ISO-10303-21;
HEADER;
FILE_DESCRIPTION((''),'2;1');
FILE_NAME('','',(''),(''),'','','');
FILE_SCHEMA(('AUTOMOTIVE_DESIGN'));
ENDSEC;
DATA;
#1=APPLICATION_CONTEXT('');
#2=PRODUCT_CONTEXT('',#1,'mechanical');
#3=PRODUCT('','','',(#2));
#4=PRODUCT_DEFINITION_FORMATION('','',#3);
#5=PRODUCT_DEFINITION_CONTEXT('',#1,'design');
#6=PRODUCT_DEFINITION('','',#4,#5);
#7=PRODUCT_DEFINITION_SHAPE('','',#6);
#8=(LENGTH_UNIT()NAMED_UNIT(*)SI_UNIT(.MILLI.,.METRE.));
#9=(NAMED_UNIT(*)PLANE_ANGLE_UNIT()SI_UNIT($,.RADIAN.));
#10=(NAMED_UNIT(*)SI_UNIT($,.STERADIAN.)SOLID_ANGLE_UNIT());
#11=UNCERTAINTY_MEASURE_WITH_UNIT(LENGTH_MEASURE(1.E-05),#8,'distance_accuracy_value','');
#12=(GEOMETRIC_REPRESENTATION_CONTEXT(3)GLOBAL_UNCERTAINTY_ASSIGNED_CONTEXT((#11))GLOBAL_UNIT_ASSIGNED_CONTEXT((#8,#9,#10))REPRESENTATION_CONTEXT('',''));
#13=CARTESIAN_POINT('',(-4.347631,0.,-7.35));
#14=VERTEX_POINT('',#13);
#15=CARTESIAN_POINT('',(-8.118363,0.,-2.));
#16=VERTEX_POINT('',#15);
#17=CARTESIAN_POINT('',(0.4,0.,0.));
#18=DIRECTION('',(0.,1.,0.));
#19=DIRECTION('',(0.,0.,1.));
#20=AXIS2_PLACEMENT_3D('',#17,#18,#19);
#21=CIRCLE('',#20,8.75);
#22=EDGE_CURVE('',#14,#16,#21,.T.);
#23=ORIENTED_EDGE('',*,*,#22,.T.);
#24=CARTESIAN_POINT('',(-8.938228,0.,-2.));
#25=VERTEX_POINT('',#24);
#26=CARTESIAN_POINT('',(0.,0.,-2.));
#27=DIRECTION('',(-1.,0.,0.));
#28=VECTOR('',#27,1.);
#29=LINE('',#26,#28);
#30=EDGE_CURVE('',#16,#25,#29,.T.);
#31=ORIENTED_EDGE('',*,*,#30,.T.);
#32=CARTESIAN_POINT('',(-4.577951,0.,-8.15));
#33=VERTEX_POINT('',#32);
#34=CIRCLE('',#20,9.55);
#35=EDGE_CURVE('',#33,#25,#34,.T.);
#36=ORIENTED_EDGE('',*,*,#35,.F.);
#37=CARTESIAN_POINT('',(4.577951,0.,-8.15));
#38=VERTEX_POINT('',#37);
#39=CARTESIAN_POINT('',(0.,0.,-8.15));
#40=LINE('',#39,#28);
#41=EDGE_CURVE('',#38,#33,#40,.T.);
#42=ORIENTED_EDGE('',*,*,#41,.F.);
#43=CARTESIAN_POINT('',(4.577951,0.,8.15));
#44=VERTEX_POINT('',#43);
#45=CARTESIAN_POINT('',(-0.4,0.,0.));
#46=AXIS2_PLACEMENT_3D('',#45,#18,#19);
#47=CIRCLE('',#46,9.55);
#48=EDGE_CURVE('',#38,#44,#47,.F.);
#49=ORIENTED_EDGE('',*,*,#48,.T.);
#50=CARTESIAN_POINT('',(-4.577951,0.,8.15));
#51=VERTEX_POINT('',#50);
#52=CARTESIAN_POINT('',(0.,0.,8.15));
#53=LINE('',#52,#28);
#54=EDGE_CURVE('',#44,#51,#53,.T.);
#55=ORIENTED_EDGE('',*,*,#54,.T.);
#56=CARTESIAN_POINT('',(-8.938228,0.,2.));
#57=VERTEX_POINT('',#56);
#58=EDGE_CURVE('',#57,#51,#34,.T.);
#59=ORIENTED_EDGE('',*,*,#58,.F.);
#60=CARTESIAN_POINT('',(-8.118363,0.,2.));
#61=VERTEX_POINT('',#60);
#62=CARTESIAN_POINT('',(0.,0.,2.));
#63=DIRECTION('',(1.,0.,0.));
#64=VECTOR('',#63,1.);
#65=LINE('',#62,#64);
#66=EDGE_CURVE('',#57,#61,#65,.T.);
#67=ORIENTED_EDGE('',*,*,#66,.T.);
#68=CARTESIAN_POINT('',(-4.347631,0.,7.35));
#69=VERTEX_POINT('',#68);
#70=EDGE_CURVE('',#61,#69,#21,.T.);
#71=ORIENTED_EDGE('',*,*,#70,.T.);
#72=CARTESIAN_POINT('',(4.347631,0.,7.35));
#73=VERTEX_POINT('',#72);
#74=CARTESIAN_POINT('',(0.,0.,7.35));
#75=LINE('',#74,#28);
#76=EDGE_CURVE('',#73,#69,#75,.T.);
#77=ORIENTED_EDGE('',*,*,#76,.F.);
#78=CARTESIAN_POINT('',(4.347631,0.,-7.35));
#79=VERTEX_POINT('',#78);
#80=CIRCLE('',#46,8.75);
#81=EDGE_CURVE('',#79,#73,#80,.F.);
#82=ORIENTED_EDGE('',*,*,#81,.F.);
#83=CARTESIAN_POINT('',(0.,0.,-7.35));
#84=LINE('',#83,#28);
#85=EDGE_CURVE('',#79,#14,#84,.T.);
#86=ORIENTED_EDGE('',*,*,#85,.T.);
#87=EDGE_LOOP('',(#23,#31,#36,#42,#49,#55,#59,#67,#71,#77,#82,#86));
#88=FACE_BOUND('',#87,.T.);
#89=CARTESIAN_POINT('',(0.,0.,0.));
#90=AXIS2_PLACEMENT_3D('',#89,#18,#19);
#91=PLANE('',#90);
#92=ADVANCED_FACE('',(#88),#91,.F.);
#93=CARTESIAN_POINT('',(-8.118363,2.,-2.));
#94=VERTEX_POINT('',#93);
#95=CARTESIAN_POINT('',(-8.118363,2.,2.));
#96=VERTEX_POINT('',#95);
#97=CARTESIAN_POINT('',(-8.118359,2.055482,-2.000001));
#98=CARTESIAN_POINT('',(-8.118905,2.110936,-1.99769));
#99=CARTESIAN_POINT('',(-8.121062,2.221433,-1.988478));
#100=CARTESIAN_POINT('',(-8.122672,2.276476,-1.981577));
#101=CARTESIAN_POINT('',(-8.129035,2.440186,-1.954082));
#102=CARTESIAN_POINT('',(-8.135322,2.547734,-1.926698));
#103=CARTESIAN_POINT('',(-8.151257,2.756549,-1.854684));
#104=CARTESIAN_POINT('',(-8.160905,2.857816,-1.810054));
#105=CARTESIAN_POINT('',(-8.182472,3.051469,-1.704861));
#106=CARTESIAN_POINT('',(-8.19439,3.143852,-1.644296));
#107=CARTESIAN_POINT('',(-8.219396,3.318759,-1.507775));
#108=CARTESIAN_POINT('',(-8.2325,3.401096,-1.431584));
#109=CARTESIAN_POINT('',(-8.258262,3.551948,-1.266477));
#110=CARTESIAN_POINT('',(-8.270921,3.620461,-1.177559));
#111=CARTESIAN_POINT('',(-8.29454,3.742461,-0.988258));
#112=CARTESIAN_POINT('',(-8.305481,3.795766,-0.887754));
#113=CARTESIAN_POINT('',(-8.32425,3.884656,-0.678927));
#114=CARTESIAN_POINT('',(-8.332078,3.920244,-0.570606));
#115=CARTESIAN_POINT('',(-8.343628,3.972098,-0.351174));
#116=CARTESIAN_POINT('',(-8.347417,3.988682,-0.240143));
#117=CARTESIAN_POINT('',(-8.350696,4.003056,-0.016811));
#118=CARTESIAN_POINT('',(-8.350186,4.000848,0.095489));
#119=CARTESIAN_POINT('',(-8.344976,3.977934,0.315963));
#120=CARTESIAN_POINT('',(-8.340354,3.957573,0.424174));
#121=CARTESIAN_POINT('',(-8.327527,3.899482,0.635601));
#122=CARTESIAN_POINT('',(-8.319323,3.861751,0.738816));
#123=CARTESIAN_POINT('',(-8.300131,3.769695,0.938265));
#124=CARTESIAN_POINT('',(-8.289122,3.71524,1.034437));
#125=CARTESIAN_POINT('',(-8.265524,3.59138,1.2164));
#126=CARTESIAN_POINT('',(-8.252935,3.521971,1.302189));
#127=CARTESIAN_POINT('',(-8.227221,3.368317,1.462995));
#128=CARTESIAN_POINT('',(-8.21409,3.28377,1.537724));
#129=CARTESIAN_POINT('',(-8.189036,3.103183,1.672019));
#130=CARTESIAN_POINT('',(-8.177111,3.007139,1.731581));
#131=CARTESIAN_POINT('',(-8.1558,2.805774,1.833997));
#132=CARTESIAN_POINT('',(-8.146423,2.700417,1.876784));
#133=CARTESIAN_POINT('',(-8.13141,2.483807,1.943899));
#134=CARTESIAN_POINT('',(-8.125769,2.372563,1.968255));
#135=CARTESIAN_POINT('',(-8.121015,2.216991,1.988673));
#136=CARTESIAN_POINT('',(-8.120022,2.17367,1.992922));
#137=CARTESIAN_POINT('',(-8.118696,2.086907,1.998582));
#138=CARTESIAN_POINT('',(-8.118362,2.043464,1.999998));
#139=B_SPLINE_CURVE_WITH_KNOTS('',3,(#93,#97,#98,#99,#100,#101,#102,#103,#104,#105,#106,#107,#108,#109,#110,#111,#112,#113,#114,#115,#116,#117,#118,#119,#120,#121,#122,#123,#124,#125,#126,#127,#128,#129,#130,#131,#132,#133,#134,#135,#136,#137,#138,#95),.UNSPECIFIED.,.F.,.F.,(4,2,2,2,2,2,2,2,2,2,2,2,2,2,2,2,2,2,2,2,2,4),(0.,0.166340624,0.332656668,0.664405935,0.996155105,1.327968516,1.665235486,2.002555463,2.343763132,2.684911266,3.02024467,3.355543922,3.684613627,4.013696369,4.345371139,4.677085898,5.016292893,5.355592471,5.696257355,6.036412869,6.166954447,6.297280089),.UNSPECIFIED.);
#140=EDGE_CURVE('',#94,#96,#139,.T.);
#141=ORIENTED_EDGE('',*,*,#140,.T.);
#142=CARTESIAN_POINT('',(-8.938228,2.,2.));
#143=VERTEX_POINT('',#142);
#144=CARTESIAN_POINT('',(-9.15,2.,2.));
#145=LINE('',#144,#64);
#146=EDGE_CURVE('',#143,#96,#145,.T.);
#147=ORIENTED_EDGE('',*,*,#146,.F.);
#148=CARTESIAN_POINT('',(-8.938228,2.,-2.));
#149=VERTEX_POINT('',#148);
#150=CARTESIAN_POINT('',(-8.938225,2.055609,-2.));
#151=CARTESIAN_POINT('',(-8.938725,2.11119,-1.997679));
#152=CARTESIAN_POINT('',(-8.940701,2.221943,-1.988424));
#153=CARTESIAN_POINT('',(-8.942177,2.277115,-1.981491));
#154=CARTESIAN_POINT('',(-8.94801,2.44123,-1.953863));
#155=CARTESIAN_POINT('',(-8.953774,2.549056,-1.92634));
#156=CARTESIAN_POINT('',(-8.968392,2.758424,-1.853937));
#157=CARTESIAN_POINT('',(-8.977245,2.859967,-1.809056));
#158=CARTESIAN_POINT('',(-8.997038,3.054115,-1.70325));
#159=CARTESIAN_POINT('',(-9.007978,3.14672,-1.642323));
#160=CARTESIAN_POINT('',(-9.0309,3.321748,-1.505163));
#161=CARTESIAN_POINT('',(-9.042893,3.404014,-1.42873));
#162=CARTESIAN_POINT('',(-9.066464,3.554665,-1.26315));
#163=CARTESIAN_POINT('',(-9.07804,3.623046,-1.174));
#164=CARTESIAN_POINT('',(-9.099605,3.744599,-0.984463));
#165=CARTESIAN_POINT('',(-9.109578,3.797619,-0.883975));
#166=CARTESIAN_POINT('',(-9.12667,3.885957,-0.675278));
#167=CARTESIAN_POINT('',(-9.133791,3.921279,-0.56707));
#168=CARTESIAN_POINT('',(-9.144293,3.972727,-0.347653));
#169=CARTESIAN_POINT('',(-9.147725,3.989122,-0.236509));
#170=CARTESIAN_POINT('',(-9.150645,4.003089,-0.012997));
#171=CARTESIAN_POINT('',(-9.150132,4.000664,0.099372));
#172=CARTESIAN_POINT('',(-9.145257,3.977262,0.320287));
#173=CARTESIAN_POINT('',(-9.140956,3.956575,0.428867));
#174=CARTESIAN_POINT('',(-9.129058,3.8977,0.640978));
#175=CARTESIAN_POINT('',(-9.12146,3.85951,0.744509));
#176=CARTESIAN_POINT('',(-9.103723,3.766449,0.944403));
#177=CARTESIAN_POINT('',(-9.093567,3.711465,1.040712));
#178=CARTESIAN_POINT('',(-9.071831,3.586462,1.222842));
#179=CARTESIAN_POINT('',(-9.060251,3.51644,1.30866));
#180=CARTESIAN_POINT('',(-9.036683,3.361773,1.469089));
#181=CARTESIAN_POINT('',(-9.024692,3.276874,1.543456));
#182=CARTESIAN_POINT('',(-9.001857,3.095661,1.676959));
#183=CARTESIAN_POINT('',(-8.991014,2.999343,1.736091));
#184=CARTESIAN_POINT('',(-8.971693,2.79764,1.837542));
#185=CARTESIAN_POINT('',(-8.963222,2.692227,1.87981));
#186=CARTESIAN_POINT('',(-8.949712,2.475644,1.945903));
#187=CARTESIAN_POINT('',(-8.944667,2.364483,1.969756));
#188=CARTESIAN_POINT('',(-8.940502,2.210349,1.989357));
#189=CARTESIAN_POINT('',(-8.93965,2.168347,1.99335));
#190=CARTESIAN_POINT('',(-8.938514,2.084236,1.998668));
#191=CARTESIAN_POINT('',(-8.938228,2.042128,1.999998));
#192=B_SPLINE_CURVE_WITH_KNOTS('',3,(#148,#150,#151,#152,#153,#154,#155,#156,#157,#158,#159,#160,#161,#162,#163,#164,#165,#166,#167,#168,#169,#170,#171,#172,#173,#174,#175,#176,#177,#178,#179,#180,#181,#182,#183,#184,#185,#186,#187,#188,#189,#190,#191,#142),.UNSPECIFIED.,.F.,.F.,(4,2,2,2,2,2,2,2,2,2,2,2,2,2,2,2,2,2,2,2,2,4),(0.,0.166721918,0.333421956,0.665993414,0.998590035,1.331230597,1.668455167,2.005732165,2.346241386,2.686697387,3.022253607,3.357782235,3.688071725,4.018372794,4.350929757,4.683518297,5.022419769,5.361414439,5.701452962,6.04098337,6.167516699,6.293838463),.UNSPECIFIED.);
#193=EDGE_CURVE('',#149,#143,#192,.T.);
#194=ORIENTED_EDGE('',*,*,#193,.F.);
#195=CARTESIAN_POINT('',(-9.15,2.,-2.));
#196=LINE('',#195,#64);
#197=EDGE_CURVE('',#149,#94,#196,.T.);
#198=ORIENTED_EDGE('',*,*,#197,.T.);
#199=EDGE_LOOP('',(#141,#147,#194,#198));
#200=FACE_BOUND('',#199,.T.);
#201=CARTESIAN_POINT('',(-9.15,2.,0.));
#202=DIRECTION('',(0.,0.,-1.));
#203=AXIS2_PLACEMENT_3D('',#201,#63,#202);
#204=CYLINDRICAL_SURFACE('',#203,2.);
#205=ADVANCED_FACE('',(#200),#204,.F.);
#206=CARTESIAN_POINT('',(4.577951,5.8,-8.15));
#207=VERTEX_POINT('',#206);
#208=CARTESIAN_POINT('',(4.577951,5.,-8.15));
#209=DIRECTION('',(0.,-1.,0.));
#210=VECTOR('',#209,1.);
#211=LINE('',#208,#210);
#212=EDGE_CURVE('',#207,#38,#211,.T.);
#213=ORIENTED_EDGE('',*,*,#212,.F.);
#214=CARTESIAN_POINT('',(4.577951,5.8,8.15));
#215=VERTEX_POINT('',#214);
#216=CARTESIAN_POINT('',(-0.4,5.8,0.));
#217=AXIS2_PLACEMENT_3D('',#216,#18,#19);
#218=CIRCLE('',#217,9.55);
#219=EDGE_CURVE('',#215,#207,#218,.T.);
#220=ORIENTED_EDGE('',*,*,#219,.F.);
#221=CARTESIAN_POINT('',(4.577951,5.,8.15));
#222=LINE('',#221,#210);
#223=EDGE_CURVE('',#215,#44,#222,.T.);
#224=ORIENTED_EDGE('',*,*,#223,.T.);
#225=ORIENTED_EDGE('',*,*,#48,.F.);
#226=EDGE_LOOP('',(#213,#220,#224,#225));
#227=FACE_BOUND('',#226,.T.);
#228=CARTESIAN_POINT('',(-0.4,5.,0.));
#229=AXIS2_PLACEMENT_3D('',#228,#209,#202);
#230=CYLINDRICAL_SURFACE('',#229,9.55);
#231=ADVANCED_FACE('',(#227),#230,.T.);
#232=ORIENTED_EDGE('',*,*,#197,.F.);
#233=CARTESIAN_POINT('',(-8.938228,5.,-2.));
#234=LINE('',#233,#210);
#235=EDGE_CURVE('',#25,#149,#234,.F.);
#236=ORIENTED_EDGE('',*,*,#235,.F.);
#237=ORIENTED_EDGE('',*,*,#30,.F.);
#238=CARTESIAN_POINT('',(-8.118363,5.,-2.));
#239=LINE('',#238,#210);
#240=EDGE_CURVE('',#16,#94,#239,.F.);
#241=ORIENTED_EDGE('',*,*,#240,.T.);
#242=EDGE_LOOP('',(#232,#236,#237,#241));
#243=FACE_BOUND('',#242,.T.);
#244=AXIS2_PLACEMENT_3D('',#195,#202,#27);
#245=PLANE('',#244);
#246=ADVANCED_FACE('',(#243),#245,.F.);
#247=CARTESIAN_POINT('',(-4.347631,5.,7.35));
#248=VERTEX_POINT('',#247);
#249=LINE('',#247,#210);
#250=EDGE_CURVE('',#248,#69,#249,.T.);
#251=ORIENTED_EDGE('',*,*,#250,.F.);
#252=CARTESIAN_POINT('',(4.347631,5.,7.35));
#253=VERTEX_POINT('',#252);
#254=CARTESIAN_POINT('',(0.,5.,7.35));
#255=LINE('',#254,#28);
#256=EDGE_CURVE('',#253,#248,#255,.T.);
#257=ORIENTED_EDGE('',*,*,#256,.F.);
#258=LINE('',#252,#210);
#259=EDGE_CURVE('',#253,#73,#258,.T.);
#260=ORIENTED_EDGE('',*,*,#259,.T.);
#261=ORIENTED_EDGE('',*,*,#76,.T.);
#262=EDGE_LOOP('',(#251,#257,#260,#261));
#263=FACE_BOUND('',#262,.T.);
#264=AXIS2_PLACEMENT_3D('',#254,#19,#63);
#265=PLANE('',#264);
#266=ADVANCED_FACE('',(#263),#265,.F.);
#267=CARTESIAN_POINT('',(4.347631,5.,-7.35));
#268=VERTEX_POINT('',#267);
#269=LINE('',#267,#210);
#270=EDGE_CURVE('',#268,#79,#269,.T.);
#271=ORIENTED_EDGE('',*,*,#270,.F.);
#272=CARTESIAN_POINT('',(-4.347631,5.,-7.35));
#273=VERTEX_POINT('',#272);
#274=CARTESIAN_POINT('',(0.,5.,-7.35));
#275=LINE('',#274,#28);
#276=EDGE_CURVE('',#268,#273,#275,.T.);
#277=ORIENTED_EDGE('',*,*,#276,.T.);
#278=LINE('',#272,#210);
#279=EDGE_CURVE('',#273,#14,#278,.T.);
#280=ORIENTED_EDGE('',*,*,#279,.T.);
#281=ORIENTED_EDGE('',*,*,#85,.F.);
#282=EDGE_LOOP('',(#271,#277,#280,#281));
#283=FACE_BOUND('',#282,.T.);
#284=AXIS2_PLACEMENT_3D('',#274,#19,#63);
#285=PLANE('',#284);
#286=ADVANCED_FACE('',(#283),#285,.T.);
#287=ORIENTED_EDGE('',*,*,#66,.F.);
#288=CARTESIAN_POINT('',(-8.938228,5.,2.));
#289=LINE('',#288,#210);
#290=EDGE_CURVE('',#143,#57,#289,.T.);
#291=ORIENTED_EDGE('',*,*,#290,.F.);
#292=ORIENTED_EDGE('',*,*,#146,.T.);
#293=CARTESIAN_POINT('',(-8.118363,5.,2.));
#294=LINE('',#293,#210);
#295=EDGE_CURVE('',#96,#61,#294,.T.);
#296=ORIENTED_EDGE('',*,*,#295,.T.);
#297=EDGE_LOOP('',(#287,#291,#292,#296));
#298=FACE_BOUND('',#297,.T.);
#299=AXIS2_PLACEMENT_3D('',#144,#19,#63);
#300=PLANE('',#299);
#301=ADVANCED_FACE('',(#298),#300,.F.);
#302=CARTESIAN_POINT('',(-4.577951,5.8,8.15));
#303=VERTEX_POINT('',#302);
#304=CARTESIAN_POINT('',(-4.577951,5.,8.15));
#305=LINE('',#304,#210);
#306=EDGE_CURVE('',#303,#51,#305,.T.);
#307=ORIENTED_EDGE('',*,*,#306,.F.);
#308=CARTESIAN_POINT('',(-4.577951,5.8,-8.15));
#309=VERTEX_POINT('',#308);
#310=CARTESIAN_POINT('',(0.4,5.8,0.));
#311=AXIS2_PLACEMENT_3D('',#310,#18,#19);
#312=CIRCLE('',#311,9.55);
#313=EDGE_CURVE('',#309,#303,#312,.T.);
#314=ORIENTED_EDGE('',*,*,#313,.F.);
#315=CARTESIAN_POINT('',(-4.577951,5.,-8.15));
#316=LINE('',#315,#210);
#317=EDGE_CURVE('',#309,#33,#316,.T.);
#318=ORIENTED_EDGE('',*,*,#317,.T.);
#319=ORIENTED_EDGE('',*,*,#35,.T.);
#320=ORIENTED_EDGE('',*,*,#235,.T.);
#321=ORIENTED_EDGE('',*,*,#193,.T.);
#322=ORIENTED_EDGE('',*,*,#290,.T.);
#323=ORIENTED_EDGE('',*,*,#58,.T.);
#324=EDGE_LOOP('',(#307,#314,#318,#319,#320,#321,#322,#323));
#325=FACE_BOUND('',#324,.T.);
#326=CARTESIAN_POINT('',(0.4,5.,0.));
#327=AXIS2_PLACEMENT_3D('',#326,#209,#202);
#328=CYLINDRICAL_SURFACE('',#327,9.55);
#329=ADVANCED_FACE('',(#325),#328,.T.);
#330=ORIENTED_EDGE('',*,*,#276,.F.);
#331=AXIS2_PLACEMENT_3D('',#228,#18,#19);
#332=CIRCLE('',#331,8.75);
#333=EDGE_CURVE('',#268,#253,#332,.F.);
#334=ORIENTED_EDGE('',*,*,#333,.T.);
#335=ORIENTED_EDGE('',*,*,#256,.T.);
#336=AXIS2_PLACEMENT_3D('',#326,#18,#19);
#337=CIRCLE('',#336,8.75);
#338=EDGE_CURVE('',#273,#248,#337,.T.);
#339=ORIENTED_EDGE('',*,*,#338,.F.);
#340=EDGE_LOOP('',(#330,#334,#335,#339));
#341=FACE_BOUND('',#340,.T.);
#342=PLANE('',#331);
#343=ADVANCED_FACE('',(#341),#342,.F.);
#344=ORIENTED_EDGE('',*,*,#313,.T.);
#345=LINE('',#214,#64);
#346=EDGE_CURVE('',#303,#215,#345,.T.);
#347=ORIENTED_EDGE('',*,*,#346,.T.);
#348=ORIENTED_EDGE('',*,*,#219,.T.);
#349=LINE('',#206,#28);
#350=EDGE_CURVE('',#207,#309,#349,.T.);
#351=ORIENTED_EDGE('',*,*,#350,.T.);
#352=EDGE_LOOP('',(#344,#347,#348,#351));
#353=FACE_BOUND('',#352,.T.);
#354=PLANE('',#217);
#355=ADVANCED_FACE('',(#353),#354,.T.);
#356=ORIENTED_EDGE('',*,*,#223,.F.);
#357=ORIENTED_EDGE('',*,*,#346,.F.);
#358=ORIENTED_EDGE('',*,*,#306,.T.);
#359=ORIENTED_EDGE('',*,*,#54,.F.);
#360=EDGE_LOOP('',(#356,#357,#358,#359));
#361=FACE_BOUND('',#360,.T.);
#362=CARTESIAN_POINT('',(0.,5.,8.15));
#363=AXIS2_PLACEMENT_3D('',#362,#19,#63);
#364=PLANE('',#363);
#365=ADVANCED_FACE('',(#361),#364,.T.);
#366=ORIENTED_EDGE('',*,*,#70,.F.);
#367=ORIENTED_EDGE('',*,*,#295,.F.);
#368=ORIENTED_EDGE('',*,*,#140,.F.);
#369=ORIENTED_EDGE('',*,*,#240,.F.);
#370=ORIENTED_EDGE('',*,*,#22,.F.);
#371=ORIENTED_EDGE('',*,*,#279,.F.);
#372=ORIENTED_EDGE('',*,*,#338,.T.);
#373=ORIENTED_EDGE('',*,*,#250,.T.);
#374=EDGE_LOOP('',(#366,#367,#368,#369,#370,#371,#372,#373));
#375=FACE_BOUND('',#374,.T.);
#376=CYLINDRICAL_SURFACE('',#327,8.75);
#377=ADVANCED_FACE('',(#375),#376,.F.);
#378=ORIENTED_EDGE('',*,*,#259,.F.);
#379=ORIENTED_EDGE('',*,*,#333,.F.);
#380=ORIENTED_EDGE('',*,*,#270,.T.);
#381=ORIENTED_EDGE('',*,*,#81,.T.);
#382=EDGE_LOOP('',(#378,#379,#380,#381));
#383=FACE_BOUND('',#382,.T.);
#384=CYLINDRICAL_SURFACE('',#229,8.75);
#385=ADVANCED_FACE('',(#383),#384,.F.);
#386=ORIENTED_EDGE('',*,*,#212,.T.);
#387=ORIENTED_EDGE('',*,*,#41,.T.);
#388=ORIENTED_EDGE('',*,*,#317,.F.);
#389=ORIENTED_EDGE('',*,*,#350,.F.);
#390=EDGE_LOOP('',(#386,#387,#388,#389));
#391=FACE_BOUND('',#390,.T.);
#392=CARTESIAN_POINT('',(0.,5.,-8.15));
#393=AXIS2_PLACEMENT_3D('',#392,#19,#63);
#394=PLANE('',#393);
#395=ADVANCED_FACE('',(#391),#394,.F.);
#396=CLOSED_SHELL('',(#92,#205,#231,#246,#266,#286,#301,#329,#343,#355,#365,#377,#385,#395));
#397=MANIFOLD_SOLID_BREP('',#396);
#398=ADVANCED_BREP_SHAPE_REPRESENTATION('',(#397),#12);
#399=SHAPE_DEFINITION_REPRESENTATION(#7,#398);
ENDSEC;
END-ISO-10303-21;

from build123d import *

# Parameters (mm, degrees)
BOSS_EXTRUDE1_DEPTH = 5
BOSS_EXTRUDE2_DEPTH = 0.8
CUT_EXTRUDE1_DEPTH  = 14.556732645


with BuildPart() as part:
    # Sketch1 → Boss-Extrude1 (new body)
    with BuildSketch(Plane(origin=(0, 0, 0), x_dir=(1, 0, 0), z_dir=(0, 1, 0))):
        with BuildLine():
            ThreePointArc((4.577951386, 8.15), (9.15, 0), (4.577951386, -8.15))
            Line((4.577951386, -8.15), (-4.577951386, -8.15))
            ThreePointArc((-4.577951386, -8.15), (-9.15, 0), (-4.577951386, 8.15))
            Line((-4.577951386, 8.15), (4.577951386, 8.15))
        make_face()
        with BuildLine():
            Line((4.347630988, 7.35), (-4.347630988, 7.35))
            ThreePointArc((-4.347630988, 7.35), (-8.35, 0), (-4.347630988, -7.35))
            Line((-4.347630988, -7.35), (4.347630988, -7.35))
            ThreePointArc((4.347630988, -7.35), (8.35, 0), (4.347630988, 7.35))
        make_face(mode=Mode.SUBTRACT)
    extrude(amount=BOSS_EXTRUDE1_DEPTH)

    # Sketch2 → Boss-Extrude2 (add)
    with BuildSketch(Plane(origin=(0, 5, 0), x_dir=(1, 0, 0), z_dir=(0, 1, 0))):
        with BuildLine():
            Line((4.577951386, -8.15), (-4.577951386, -8.15))
            ThreePointArc((-4.577951386, -8.15), (-9.15, 0), (-4.577951386, 8.15))
            Line((-4.577951386, 8.15), (4.577951386, 8.15))
            ThreePointArc((4.577951386, 8.15), (9.15, 0), (4.577951386, -8.15))
        make_face()
    extrude(amount=BOSS_EXTRUDE2_DEPTH)

    # Sketch3 → Cut-Extrude1 (cut, through all)
    with BuildSketch(Plane(origin=(0, 0, 0), x_dir=(0, 0, -1), z_dir=(1, 0, 0))):
        with BuildLine():
            Line((-2, 2), (-2, 0))
            Line((-2, 0), (2, 0))
            Line((2, 0), (2, 2))
            ThreePointArc((2, 2), (0, 4), (-2, 2))
        make_face()
    extrude(amount=-CUT_EXTRUDE1_DEPTH, mode=Mode.SUBTRACT)


solid = part.part
